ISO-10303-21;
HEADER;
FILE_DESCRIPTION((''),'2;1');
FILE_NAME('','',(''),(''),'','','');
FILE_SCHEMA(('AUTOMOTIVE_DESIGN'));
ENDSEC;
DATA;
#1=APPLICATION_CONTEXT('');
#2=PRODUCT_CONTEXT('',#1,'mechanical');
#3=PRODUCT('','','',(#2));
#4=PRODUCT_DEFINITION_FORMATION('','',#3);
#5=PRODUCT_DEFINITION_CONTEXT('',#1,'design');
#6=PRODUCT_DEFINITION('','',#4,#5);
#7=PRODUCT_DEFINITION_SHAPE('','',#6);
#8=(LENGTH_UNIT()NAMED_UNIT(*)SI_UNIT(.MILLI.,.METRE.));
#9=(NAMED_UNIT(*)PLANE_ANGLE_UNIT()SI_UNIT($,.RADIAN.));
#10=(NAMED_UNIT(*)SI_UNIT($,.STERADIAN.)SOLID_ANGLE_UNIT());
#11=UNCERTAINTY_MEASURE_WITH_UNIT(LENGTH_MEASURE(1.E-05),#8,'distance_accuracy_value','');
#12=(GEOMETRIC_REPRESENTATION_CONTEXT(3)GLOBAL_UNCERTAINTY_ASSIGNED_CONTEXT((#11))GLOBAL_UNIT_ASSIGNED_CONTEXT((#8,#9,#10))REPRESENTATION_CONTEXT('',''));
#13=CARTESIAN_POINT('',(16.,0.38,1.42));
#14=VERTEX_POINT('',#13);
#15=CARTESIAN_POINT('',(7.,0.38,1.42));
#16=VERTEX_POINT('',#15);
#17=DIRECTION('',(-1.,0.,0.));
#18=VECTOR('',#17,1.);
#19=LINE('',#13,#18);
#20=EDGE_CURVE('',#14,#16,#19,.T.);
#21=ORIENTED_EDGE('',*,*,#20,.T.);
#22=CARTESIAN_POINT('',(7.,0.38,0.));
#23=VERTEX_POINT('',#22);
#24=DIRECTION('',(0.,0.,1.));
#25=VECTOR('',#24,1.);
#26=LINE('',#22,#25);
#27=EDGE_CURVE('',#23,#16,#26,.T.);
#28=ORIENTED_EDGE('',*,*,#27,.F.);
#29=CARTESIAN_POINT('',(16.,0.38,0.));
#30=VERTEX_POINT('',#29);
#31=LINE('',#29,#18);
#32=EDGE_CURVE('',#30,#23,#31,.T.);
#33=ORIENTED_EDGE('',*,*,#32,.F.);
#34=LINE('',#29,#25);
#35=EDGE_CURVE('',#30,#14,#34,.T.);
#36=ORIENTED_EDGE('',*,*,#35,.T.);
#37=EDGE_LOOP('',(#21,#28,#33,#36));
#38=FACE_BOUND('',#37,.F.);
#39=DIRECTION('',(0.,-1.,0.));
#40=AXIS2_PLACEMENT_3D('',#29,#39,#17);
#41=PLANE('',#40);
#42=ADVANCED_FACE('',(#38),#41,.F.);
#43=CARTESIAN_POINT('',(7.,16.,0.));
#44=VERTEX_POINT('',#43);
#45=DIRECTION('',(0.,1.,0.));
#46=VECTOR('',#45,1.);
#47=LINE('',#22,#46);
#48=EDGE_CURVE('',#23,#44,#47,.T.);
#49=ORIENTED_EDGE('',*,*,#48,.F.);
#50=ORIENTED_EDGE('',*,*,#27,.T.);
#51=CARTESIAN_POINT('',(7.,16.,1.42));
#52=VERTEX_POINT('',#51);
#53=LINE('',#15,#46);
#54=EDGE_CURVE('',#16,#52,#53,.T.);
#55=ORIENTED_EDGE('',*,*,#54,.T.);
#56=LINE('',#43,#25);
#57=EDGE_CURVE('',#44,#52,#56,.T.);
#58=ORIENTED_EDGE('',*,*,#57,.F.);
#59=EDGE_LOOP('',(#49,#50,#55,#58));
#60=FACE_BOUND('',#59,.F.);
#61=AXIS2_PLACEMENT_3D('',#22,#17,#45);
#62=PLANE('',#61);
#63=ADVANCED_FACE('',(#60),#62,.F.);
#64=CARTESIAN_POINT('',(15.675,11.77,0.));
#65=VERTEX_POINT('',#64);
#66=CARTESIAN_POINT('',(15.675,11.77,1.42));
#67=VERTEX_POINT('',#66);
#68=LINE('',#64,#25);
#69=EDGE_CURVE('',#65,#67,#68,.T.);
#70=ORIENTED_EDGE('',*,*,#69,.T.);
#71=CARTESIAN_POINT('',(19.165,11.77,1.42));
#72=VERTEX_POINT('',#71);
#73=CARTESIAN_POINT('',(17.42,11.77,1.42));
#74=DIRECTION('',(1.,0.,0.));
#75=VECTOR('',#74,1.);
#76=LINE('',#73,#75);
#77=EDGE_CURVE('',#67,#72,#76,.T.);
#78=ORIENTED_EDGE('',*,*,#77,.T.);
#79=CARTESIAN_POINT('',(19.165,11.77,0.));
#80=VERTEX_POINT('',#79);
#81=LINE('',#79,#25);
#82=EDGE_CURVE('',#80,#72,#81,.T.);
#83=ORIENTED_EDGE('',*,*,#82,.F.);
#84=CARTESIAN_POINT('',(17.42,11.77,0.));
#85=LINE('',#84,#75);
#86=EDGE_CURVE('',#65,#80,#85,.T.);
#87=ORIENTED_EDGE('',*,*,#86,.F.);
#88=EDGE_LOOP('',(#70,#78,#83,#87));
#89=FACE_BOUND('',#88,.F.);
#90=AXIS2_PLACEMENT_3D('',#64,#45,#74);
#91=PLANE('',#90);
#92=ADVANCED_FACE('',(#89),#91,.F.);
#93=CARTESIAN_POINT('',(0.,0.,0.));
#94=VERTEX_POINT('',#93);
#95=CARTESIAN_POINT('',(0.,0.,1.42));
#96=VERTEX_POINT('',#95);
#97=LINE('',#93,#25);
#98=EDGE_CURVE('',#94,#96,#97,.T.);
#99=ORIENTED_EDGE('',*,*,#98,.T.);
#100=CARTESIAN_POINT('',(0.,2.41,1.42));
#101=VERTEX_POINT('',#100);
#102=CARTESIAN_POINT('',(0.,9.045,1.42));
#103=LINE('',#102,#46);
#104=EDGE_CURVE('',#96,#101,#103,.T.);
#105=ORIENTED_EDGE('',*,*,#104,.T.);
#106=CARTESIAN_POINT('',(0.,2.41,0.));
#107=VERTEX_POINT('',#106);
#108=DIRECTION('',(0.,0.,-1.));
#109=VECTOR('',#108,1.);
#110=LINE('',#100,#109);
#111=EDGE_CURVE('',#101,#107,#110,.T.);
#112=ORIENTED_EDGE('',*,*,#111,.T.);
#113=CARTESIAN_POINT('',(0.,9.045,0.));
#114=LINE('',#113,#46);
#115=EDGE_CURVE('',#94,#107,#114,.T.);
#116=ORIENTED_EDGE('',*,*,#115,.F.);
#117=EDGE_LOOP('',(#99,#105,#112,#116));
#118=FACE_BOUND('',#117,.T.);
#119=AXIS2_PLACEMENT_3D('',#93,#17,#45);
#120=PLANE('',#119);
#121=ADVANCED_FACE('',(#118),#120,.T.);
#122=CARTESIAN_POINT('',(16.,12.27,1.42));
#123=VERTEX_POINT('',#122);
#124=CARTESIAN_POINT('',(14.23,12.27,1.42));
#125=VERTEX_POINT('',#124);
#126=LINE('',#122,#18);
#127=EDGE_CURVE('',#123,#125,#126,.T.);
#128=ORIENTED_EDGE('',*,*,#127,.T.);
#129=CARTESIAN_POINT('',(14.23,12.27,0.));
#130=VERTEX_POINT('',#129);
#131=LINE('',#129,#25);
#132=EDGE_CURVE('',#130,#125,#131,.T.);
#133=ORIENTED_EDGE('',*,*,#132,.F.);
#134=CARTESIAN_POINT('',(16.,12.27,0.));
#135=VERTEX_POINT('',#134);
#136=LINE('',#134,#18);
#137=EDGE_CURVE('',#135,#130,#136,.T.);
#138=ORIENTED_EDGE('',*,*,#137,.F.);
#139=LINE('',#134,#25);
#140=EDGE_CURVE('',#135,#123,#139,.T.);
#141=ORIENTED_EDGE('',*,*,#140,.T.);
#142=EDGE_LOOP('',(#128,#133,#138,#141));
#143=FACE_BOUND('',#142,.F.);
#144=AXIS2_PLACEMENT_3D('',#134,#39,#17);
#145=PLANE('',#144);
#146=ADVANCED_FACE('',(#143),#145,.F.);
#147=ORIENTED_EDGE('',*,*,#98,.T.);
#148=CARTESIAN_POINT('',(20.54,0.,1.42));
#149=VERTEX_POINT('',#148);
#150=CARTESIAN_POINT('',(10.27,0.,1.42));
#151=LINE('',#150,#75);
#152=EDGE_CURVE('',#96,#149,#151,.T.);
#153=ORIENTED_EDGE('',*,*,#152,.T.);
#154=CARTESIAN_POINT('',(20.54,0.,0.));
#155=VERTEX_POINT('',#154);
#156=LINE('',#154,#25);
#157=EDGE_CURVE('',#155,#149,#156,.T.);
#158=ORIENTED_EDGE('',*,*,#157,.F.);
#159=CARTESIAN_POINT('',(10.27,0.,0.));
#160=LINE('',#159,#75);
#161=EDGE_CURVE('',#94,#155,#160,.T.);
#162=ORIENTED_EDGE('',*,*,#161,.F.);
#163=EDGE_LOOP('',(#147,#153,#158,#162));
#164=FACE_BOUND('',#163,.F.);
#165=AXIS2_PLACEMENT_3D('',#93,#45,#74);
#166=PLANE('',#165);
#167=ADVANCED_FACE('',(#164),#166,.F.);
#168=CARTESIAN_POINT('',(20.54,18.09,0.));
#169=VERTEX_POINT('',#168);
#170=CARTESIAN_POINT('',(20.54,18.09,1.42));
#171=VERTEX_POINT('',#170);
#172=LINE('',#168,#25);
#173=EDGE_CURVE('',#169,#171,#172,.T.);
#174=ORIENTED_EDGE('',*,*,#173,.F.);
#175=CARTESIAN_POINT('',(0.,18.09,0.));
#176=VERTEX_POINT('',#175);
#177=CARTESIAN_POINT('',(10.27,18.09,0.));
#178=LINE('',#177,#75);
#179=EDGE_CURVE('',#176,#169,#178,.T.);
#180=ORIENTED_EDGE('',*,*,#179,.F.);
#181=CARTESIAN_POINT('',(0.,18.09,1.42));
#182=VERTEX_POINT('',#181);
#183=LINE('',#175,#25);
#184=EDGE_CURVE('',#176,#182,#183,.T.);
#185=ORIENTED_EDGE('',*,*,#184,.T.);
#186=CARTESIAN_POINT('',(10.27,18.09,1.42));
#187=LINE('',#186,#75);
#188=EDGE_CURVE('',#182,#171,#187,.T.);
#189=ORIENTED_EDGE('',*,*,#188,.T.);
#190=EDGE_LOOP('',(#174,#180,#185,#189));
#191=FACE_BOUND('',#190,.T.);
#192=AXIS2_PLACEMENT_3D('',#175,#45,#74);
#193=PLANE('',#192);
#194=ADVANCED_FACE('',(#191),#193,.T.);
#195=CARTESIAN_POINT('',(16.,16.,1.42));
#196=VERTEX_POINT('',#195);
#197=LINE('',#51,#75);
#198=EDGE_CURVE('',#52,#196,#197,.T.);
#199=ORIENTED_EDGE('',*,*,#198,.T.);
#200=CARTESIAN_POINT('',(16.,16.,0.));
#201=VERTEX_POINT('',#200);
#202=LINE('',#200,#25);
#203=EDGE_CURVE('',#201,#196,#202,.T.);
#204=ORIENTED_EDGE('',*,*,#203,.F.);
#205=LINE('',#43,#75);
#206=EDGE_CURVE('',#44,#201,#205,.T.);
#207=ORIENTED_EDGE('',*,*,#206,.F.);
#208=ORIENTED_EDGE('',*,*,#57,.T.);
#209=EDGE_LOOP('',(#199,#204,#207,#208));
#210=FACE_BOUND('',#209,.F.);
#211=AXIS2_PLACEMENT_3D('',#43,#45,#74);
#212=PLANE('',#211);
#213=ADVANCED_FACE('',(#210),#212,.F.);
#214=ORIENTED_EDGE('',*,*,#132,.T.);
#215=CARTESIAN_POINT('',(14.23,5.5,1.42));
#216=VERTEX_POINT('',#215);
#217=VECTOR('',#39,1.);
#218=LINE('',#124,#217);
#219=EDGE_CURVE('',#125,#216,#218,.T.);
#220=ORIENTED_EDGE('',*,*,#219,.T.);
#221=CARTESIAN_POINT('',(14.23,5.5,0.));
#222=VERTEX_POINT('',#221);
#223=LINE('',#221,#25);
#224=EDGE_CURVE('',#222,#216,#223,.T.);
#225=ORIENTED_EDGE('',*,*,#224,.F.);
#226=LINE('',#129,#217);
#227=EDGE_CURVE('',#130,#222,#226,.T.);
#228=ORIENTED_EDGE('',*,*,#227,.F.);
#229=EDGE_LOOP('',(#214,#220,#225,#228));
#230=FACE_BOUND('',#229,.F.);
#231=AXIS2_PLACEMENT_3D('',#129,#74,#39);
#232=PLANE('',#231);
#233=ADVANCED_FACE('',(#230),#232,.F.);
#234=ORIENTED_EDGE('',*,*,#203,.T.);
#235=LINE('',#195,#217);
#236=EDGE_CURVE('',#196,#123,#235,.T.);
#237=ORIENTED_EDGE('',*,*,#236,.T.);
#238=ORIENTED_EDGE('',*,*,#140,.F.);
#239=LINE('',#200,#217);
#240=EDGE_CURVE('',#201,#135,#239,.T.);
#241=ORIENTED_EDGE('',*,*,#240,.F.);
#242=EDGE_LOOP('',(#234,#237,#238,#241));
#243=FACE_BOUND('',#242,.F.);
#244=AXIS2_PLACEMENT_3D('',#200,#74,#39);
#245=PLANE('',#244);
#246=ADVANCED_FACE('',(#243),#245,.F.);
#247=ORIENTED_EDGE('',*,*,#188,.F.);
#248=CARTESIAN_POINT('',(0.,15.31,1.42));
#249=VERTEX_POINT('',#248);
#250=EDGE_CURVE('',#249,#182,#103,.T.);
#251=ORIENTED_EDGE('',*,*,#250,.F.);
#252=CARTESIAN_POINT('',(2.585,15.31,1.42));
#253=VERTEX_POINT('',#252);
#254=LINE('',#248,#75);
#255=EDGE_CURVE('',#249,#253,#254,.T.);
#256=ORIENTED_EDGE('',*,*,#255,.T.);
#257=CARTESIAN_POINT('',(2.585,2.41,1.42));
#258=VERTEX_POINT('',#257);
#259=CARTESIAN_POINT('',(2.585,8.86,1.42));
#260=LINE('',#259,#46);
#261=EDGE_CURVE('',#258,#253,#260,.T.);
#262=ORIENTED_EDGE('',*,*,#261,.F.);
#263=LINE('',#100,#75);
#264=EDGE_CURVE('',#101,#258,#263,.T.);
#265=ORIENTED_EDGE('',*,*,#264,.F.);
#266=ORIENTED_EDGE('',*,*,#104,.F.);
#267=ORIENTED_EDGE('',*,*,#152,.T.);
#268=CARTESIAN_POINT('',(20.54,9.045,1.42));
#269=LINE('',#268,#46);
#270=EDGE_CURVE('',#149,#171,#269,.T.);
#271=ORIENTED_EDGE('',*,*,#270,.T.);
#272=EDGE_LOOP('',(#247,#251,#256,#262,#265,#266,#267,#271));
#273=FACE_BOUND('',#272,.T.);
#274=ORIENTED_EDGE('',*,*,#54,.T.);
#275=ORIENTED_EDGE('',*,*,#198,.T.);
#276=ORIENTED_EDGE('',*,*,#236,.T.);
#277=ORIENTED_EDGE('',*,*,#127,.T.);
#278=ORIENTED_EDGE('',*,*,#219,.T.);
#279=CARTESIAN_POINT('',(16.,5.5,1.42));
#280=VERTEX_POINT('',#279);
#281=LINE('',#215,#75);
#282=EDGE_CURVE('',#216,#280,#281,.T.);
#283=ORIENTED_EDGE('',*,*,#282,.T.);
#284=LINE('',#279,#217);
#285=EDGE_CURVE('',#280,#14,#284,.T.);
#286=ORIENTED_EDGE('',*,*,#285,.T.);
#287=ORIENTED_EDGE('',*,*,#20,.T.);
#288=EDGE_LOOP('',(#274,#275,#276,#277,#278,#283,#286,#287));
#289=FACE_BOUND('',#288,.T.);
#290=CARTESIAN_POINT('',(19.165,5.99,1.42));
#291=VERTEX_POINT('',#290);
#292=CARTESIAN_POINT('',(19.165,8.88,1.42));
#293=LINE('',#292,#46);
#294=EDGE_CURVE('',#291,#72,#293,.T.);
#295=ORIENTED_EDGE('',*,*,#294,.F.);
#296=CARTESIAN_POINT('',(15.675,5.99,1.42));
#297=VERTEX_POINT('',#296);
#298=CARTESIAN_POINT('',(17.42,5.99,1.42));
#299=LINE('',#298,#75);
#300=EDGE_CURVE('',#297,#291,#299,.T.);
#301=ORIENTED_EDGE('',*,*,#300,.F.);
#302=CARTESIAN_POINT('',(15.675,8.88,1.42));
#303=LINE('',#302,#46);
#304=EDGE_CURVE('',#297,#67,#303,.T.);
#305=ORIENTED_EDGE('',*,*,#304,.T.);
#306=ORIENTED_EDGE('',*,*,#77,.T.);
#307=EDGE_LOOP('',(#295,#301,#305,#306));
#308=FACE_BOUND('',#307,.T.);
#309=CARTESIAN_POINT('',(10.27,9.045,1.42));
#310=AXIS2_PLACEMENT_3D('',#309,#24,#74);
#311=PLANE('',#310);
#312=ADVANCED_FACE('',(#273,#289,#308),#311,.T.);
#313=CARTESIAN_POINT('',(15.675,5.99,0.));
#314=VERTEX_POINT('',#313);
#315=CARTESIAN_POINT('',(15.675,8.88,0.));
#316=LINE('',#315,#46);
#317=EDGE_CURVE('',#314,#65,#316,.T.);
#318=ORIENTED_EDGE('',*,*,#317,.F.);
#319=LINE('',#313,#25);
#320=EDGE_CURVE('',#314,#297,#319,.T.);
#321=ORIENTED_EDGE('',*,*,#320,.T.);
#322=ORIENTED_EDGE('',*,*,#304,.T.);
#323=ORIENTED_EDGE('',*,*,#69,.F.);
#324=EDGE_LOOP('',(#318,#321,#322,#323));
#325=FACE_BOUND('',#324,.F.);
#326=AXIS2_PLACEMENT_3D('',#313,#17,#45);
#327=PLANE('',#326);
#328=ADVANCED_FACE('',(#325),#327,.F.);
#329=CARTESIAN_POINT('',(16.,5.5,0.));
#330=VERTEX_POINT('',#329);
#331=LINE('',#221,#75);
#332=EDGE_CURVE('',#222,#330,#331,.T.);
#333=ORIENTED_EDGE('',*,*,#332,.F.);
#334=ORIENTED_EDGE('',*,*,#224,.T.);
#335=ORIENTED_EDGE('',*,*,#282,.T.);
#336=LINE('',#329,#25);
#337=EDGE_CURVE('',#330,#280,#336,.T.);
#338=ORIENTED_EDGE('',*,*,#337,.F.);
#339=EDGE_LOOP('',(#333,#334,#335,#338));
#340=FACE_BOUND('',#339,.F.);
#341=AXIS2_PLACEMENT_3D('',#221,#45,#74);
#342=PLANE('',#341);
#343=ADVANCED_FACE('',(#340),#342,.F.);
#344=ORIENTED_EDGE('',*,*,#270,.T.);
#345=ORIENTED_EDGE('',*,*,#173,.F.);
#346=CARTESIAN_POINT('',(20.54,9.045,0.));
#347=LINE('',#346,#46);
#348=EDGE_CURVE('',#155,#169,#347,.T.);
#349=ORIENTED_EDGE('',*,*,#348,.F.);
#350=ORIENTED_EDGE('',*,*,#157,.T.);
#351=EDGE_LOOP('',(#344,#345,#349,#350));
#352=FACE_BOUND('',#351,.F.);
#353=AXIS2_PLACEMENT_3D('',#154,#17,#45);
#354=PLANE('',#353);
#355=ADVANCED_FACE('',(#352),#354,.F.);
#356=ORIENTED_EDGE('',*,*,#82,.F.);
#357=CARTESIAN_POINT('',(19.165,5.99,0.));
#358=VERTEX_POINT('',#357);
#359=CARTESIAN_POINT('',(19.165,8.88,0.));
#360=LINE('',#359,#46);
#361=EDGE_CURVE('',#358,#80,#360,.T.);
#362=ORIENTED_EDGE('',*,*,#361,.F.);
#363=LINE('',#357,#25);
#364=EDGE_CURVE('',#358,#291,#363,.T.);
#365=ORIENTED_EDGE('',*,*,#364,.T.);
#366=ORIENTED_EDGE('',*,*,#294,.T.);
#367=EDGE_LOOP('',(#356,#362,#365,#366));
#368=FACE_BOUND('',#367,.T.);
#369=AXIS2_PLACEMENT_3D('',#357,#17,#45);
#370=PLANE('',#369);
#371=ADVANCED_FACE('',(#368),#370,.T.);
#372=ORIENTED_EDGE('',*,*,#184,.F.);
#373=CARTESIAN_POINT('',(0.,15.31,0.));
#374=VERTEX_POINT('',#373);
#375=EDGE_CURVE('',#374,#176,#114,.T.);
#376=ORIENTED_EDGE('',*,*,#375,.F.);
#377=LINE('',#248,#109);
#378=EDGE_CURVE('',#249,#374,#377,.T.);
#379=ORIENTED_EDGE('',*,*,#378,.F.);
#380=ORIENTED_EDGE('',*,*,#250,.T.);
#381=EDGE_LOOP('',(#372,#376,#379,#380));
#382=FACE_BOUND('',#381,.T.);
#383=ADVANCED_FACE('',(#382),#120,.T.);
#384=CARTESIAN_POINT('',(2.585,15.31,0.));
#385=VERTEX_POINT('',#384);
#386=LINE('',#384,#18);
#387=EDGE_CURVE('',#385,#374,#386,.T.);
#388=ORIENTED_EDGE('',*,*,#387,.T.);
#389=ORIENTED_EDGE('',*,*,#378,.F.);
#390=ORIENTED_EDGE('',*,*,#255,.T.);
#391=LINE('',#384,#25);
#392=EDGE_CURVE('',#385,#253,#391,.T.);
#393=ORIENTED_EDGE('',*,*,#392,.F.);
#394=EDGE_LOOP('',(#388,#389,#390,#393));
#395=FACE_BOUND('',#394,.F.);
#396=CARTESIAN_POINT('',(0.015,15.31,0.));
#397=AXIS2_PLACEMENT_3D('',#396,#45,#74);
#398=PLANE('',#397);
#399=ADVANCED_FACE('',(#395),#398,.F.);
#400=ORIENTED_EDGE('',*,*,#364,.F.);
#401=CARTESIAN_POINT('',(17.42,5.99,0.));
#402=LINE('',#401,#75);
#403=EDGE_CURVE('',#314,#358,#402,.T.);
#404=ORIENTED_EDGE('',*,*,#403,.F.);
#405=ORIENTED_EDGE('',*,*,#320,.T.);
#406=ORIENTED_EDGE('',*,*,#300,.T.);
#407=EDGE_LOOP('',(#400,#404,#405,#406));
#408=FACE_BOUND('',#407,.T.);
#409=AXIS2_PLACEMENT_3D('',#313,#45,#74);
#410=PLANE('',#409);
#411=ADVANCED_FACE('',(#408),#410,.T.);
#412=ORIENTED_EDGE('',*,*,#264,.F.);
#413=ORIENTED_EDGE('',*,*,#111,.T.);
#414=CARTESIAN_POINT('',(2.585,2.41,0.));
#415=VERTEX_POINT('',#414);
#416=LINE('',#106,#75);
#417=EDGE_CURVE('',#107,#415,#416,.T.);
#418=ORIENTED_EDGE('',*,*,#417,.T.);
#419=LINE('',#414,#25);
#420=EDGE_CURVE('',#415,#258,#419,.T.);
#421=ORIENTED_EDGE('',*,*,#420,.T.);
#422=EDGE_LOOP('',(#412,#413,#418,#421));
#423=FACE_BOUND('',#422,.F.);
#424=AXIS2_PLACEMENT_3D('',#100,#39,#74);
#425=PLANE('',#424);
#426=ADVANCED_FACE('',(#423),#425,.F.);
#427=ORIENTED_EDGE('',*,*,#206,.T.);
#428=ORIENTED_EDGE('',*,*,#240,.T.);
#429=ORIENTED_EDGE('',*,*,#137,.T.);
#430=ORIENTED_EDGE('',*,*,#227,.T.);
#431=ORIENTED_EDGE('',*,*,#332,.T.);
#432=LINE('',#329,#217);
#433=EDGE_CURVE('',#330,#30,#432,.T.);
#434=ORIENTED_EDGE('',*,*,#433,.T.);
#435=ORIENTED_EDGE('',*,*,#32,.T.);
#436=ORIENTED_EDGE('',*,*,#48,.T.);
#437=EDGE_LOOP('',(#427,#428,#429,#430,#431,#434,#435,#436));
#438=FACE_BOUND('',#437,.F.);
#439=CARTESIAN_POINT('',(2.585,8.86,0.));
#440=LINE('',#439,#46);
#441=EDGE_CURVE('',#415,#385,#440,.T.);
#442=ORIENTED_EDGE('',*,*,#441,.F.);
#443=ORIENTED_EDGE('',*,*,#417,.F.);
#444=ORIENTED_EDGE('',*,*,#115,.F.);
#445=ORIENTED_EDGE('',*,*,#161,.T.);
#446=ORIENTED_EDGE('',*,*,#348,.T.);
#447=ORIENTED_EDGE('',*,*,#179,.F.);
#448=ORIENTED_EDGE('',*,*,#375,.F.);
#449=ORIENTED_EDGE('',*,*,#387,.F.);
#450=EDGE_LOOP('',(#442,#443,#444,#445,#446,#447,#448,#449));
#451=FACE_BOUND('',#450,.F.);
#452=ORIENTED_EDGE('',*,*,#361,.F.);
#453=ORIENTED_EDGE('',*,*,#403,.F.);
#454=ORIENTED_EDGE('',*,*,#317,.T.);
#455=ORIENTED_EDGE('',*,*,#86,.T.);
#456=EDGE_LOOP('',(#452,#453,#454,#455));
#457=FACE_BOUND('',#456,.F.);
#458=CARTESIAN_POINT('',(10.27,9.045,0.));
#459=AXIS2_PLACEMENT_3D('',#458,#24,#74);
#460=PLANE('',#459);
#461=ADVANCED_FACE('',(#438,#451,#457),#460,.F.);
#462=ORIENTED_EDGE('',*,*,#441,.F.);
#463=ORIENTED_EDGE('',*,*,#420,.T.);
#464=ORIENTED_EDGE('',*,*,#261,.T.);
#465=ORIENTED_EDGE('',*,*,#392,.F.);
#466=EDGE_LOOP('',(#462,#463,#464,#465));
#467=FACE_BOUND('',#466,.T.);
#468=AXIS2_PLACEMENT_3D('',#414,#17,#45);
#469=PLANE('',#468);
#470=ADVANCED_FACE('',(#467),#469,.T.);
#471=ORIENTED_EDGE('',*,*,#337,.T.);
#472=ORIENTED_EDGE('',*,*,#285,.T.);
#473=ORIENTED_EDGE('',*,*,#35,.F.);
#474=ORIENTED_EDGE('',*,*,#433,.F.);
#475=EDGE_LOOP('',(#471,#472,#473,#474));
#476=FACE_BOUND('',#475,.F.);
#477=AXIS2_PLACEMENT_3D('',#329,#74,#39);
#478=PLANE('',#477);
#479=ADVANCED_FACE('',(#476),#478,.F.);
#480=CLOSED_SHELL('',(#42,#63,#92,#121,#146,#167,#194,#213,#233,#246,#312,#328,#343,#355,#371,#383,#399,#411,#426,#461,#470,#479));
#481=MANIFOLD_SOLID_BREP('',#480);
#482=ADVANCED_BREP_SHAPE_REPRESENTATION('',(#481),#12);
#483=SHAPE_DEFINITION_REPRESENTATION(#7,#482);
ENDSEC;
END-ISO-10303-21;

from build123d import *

# Parameters (mm, degrees)
F0_W     = 20.54
F0_H     = 18.09
F0_W_2   = 2.57
F0_H_2   = 12.9
F0_W_3   = 3.49
F0_H_3   = 5.78
F1_DEPTH = 1.42
F2_W     = 0.015
F2_H     = 12.9
F3_DEPTH = 1.421


with BuildPart() as f1:
    # F0 (on Top) → F1 (new body)
    with BuildSketch(Plane.XY):
        with Locations((10.27, 9.045)):
            Rectangle(F0_W, F0_H)
        with Locations((1.3, 8.86)):
            Rectangle(F0_W_2, F0_H_2, mode=Mode.SUBTRACT)
        Polygon((7, 0.38), (7, 16), (16, 16), (16, 12.27), (14.23, 12.27), (14.23, 5.5), (16, 5.5), (16, 0.38), align=None, mode=Mode.SUBTRACT)
        with Locations((17.42, 8.88)):
            Rectangle(F0_W_3, F0_H_3, mode=Mode.SUBTRACT)
    extrude(amount=F1_DEPTH)

    # F2 (on face) → F3 (cut, through all)
    with BuildSketch(Plane.XY.offset(1.42)):
        with Locations((0.0075, 8.86)):
            Rectangle(F2_W, F2_H)
    extrude(amount=-F3_DEPTH, mode=Mode.SUBTRACT)


solid = f1.part
